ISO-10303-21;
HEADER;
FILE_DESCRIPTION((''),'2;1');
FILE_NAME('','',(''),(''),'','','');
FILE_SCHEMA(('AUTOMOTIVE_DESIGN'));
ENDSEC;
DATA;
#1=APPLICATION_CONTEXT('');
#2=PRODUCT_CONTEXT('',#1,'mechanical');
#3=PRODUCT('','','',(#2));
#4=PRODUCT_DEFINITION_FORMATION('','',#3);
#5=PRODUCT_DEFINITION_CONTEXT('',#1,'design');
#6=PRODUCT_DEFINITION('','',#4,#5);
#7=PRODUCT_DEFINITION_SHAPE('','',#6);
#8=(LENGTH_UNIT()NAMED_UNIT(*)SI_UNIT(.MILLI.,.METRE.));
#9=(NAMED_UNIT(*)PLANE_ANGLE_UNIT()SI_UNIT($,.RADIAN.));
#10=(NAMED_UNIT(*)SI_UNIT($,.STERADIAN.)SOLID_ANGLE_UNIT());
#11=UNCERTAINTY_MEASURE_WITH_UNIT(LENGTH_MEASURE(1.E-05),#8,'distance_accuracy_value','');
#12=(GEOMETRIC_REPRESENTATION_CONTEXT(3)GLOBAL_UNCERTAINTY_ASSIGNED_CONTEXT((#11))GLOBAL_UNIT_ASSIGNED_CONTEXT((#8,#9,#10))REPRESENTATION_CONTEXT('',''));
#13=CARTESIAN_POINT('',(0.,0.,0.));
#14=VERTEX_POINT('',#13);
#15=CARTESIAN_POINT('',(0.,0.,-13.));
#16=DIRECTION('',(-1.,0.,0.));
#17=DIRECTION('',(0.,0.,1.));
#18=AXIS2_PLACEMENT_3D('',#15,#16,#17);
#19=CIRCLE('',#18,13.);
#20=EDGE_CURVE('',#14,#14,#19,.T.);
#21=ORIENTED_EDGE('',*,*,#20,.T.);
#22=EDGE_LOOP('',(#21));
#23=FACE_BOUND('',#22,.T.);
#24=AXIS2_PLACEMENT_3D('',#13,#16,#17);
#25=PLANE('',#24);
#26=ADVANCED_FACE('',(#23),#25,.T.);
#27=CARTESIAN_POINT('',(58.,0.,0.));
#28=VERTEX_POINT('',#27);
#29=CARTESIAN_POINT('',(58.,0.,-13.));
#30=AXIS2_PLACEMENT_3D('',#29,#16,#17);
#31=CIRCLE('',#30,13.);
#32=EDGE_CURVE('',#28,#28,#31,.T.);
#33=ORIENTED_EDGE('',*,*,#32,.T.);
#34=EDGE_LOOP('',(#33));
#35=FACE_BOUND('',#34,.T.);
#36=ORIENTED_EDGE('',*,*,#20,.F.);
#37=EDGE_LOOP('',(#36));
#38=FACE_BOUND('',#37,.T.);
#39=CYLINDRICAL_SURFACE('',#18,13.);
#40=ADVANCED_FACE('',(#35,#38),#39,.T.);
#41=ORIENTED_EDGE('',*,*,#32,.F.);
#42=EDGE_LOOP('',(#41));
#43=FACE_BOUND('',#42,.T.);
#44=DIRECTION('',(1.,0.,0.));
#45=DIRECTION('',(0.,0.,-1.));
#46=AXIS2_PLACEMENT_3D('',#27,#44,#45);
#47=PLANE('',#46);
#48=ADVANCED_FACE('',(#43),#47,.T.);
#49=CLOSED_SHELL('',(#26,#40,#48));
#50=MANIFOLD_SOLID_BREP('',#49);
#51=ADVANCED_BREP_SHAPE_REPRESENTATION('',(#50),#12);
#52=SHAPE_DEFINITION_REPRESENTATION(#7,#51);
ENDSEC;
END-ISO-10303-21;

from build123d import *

# Parameters (mm, degrees)
SKETCH1_W = 58
SKETCH1_H = 13


with BuildPart() as part:
    # Sketch1 → Revolve1 (revolve)
    with BuildSketch(Plane(origin=(0, 0, 0), x_dir=(1, 0, 0), z_dir=(0, 1, 0))):
        with Locations((29, 6.5)):
            Rectangle(SKETCH1_W, SKETCH1_H)
    revolve(axis=Axis((0, 0, -13), (1, 0, 0)))


solid = part.part
